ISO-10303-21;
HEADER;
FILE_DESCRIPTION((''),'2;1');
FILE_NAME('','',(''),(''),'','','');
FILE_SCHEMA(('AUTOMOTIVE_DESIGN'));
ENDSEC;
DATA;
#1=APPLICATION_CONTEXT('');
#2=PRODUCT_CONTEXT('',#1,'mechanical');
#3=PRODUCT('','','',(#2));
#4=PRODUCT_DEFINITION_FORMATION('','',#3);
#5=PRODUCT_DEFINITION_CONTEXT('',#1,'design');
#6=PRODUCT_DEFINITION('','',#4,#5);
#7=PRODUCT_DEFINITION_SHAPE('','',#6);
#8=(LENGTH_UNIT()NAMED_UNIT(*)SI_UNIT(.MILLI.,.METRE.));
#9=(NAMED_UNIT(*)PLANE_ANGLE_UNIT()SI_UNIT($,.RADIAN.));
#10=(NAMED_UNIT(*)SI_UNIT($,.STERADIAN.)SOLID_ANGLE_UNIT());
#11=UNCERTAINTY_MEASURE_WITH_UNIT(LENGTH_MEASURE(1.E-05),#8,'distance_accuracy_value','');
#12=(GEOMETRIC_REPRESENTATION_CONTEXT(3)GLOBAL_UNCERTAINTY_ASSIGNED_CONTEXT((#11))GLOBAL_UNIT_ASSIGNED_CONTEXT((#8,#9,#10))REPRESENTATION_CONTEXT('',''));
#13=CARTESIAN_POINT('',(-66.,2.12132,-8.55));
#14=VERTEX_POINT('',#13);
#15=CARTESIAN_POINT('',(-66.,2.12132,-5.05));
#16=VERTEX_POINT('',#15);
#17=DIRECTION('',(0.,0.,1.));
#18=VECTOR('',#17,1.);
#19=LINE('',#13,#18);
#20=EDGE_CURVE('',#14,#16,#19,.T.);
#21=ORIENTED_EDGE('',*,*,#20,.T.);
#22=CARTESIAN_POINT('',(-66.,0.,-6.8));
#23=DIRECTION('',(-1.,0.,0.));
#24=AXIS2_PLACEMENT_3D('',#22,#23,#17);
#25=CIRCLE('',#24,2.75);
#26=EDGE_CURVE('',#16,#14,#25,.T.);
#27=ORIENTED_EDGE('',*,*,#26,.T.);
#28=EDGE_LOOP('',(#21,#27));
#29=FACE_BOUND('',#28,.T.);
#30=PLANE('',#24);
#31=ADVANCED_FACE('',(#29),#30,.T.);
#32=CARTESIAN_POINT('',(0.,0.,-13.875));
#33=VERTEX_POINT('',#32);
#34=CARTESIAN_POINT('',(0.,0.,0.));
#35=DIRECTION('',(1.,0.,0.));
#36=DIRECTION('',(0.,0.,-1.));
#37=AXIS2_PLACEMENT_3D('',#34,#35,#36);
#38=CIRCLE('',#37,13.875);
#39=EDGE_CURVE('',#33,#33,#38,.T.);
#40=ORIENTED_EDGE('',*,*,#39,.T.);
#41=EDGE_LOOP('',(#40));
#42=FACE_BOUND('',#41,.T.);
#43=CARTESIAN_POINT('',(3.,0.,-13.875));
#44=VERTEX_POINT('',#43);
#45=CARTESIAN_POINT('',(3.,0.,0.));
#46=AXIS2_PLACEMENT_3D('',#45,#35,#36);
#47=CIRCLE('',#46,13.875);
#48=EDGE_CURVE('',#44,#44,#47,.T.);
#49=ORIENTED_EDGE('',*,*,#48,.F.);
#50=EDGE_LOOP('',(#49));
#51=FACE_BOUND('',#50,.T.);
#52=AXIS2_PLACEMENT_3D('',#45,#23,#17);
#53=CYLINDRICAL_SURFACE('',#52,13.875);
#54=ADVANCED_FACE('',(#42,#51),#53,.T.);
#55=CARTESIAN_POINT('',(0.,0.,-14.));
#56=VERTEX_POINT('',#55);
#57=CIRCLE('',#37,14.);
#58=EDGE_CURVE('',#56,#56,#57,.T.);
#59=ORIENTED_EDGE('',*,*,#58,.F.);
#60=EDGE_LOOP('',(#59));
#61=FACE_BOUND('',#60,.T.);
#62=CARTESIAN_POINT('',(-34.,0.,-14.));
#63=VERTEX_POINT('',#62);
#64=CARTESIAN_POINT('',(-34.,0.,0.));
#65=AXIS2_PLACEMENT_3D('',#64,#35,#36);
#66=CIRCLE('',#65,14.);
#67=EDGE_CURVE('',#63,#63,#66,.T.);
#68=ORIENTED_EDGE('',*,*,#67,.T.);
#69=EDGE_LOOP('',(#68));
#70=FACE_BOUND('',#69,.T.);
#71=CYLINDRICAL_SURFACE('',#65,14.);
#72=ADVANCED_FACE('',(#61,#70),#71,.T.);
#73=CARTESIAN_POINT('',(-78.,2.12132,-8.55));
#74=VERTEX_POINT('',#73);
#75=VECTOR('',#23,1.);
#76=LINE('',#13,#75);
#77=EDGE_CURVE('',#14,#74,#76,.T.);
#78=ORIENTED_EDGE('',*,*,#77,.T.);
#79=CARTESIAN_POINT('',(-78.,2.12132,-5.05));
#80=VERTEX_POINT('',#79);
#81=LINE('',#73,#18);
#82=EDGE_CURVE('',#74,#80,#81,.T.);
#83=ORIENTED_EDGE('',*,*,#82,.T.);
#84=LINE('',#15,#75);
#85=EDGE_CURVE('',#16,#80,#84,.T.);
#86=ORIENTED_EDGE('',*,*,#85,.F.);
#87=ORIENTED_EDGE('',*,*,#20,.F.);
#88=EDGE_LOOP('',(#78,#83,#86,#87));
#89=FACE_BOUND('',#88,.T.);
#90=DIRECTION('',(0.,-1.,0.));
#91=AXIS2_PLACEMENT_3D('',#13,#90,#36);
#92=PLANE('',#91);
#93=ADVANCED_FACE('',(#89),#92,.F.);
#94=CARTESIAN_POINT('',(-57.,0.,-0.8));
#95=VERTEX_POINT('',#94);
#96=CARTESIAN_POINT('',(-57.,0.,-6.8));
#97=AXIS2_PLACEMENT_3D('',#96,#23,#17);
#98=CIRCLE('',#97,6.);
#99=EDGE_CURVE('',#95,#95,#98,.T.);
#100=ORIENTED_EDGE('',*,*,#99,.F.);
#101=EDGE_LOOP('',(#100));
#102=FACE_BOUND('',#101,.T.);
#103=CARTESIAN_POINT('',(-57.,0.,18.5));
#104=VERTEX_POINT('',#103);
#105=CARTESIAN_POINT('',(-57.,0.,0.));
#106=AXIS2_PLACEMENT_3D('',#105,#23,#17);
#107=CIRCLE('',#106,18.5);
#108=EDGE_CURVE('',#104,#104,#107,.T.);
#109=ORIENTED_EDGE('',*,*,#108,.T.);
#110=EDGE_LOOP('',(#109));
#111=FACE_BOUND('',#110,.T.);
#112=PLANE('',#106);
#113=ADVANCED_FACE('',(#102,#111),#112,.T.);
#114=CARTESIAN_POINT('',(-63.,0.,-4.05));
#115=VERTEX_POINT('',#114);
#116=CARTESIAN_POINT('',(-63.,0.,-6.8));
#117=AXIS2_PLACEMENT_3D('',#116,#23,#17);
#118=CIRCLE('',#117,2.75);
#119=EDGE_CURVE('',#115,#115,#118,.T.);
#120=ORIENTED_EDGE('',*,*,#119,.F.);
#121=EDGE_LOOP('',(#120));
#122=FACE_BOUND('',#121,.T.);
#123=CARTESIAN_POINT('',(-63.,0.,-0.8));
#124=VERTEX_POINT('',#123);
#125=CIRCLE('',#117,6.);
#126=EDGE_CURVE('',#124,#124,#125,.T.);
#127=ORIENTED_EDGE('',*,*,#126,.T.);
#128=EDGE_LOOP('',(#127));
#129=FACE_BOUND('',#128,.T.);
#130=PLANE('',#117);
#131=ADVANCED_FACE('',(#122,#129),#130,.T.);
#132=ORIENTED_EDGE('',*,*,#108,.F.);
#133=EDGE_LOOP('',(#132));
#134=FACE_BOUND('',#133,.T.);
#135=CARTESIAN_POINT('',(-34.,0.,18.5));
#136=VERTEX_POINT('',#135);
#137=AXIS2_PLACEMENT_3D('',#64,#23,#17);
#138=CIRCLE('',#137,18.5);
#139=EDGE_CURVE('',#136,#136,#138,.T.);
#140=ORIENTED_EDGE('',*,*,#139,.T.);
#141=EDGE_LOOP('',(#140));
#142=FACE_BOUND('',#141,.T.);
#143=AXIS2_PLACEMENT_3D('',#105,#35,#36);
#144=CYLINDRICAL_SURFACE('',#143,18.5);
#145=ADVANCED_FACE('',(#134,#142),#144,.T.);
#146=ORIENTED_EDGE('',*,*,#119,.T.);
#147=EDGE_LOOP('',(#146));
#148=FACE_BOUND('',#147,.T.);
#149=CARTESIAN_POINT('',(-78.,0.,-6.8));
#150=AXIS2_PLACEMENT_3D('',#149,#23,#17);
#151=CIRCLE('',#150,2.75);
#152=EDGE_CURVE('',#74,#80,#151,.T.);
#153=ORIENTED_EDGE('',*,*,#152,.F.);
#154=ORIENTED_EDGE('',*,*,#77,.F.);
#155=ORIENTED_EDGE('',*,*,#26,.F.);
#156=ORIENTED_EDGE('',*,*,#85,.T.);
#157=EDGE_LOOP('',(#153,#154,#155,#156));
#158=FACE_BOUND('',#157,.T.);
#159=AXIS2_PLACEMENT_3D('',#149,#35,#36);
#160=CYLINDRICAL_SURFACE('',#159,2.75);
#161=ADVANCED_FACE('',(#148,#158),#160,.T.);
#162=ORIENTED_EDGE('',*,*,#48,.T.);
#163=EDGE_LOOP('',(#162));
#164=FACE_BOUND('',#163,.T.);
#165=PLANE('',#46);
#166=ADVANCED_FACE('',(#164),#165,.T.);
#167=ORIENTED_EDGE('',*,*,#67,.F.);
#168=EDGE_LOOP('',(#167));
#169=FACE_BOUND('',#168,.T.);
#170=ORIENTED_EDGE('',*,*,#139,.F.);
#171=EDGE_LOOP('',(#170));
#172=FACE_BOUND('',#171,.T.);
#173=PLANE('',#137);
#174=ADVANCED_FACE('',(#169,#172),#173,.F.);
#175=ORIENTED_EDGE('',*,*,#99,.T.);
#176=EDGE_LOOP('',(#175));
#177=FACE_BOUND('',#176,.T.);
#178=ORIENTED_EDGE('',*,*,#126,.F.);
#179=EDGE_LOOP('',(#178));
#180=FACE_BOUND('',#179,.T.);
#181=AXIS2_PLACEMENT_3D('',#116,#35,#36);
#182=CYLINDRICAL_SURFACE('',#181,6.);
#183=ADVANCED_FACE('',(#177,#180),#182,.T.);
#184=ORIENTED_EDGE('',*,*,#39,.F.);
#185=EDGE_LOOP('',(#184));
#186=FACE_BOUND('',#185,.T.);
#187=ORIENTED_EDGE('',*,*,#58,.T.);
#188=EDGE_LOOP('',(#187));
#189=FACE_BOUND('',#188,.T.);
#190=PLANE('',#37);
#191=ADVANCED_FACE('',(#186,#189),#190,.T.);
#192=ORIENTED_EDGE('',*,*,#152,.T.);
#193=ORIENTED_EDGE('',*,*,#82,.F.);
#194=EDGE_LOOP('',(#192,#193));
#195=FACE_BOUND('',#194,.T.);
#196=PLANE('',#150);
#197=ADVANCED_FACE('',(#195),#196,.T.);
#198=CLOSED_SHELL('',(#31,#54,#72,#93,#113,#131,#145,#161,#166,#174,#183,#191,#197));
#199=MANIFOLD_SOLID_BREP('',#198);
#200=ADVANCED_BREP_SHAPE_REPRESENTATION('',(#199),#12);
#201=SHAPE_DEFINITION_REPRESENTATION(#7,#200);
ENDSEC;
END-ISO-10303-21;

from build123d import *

# Parameters (mm, degrees)
SKETCH1_R           = 14
BOSS_EXTRUDE1_DEPTH = 34
SKETCH2_R           = 18.5
BOSS_EXTRUDE2_DEPTH = 23
SKETCH3_R           = 6
BOSS_EXTRUDE3_DEPTH = 6
SKETCH5_R           = 2.75
BOSS_EXTRUDE4_DEPTH = 15
CUT_EXTRUDE1_DEPTH  = 12
SKETCH7_R           = 13.875
BOSS_EXTRUDE5_DEPTH = 3


with BuildPart() as part:
    # Sketch1 → Boss-Extrude1 (new body)
    with BuildSketch(Plane(origin=(0, 0, 0), x_dir=(0, 0, -1), z_dir=(1, 0, 0))):
        Circle(SKETCH1_R)
    extrude(amount=-BOSS_EXTRUDE1_DEPTH)

    # Sketch2 → Boss-Extrude2 (add)
    with BuildSketch(Plane.ZY.offset(34)):
        Circle(SKETCH2_R)
    extrude(amount=BOSS_EXTRUDE2_DEPTH)

    # Sketch3 → Boss-Extrude3 (add)
    with BuildSketch(Plane.ZY.offset(57)):
        with Locations((-6.8, 0)):
            Circle(SKETCH3_R)
    extrude(amount=BOSS_EXTRUDE3_DEPTH)

    # Sketch5 → Boss-Extrude4 (add)
    with BuildSketch(Plane.ZY.offset(63)):
        with Locations((-6.8, 0)):
            Circle(SKETCH5_R)
    extrude(amount=BOSS_EXTRUDE4_DEPTH)

    # Sketch6 → Cut-Extrude1 (cut)
    with BuildSketch(Plane.ZY.offset(78)):
        with BuildLine():
            Line((-8.55, 2.121320344), (-5.05, 2.121320344))
            ThreePointArc((-5.05, 2.121320344), (-6.8, 2.75), (-8.55, 2.121320344))
        make_face()
    extrude(amount=-CUT_EXTRUDE1_DEPTH, mode=Mode.SUBTRACT)

    # Sketch7 → Boss-Extrude5 (add)
    with BuildSketch(Plane(origin=(0, 0, 0), x_dir=(0, 0, -1), z_dir=(1, 0, 0))):
        Circle(SKETCH7_R)
    extrude(amount=BOSS_EXTRUDE5_DEPTH)


solid = part.part
